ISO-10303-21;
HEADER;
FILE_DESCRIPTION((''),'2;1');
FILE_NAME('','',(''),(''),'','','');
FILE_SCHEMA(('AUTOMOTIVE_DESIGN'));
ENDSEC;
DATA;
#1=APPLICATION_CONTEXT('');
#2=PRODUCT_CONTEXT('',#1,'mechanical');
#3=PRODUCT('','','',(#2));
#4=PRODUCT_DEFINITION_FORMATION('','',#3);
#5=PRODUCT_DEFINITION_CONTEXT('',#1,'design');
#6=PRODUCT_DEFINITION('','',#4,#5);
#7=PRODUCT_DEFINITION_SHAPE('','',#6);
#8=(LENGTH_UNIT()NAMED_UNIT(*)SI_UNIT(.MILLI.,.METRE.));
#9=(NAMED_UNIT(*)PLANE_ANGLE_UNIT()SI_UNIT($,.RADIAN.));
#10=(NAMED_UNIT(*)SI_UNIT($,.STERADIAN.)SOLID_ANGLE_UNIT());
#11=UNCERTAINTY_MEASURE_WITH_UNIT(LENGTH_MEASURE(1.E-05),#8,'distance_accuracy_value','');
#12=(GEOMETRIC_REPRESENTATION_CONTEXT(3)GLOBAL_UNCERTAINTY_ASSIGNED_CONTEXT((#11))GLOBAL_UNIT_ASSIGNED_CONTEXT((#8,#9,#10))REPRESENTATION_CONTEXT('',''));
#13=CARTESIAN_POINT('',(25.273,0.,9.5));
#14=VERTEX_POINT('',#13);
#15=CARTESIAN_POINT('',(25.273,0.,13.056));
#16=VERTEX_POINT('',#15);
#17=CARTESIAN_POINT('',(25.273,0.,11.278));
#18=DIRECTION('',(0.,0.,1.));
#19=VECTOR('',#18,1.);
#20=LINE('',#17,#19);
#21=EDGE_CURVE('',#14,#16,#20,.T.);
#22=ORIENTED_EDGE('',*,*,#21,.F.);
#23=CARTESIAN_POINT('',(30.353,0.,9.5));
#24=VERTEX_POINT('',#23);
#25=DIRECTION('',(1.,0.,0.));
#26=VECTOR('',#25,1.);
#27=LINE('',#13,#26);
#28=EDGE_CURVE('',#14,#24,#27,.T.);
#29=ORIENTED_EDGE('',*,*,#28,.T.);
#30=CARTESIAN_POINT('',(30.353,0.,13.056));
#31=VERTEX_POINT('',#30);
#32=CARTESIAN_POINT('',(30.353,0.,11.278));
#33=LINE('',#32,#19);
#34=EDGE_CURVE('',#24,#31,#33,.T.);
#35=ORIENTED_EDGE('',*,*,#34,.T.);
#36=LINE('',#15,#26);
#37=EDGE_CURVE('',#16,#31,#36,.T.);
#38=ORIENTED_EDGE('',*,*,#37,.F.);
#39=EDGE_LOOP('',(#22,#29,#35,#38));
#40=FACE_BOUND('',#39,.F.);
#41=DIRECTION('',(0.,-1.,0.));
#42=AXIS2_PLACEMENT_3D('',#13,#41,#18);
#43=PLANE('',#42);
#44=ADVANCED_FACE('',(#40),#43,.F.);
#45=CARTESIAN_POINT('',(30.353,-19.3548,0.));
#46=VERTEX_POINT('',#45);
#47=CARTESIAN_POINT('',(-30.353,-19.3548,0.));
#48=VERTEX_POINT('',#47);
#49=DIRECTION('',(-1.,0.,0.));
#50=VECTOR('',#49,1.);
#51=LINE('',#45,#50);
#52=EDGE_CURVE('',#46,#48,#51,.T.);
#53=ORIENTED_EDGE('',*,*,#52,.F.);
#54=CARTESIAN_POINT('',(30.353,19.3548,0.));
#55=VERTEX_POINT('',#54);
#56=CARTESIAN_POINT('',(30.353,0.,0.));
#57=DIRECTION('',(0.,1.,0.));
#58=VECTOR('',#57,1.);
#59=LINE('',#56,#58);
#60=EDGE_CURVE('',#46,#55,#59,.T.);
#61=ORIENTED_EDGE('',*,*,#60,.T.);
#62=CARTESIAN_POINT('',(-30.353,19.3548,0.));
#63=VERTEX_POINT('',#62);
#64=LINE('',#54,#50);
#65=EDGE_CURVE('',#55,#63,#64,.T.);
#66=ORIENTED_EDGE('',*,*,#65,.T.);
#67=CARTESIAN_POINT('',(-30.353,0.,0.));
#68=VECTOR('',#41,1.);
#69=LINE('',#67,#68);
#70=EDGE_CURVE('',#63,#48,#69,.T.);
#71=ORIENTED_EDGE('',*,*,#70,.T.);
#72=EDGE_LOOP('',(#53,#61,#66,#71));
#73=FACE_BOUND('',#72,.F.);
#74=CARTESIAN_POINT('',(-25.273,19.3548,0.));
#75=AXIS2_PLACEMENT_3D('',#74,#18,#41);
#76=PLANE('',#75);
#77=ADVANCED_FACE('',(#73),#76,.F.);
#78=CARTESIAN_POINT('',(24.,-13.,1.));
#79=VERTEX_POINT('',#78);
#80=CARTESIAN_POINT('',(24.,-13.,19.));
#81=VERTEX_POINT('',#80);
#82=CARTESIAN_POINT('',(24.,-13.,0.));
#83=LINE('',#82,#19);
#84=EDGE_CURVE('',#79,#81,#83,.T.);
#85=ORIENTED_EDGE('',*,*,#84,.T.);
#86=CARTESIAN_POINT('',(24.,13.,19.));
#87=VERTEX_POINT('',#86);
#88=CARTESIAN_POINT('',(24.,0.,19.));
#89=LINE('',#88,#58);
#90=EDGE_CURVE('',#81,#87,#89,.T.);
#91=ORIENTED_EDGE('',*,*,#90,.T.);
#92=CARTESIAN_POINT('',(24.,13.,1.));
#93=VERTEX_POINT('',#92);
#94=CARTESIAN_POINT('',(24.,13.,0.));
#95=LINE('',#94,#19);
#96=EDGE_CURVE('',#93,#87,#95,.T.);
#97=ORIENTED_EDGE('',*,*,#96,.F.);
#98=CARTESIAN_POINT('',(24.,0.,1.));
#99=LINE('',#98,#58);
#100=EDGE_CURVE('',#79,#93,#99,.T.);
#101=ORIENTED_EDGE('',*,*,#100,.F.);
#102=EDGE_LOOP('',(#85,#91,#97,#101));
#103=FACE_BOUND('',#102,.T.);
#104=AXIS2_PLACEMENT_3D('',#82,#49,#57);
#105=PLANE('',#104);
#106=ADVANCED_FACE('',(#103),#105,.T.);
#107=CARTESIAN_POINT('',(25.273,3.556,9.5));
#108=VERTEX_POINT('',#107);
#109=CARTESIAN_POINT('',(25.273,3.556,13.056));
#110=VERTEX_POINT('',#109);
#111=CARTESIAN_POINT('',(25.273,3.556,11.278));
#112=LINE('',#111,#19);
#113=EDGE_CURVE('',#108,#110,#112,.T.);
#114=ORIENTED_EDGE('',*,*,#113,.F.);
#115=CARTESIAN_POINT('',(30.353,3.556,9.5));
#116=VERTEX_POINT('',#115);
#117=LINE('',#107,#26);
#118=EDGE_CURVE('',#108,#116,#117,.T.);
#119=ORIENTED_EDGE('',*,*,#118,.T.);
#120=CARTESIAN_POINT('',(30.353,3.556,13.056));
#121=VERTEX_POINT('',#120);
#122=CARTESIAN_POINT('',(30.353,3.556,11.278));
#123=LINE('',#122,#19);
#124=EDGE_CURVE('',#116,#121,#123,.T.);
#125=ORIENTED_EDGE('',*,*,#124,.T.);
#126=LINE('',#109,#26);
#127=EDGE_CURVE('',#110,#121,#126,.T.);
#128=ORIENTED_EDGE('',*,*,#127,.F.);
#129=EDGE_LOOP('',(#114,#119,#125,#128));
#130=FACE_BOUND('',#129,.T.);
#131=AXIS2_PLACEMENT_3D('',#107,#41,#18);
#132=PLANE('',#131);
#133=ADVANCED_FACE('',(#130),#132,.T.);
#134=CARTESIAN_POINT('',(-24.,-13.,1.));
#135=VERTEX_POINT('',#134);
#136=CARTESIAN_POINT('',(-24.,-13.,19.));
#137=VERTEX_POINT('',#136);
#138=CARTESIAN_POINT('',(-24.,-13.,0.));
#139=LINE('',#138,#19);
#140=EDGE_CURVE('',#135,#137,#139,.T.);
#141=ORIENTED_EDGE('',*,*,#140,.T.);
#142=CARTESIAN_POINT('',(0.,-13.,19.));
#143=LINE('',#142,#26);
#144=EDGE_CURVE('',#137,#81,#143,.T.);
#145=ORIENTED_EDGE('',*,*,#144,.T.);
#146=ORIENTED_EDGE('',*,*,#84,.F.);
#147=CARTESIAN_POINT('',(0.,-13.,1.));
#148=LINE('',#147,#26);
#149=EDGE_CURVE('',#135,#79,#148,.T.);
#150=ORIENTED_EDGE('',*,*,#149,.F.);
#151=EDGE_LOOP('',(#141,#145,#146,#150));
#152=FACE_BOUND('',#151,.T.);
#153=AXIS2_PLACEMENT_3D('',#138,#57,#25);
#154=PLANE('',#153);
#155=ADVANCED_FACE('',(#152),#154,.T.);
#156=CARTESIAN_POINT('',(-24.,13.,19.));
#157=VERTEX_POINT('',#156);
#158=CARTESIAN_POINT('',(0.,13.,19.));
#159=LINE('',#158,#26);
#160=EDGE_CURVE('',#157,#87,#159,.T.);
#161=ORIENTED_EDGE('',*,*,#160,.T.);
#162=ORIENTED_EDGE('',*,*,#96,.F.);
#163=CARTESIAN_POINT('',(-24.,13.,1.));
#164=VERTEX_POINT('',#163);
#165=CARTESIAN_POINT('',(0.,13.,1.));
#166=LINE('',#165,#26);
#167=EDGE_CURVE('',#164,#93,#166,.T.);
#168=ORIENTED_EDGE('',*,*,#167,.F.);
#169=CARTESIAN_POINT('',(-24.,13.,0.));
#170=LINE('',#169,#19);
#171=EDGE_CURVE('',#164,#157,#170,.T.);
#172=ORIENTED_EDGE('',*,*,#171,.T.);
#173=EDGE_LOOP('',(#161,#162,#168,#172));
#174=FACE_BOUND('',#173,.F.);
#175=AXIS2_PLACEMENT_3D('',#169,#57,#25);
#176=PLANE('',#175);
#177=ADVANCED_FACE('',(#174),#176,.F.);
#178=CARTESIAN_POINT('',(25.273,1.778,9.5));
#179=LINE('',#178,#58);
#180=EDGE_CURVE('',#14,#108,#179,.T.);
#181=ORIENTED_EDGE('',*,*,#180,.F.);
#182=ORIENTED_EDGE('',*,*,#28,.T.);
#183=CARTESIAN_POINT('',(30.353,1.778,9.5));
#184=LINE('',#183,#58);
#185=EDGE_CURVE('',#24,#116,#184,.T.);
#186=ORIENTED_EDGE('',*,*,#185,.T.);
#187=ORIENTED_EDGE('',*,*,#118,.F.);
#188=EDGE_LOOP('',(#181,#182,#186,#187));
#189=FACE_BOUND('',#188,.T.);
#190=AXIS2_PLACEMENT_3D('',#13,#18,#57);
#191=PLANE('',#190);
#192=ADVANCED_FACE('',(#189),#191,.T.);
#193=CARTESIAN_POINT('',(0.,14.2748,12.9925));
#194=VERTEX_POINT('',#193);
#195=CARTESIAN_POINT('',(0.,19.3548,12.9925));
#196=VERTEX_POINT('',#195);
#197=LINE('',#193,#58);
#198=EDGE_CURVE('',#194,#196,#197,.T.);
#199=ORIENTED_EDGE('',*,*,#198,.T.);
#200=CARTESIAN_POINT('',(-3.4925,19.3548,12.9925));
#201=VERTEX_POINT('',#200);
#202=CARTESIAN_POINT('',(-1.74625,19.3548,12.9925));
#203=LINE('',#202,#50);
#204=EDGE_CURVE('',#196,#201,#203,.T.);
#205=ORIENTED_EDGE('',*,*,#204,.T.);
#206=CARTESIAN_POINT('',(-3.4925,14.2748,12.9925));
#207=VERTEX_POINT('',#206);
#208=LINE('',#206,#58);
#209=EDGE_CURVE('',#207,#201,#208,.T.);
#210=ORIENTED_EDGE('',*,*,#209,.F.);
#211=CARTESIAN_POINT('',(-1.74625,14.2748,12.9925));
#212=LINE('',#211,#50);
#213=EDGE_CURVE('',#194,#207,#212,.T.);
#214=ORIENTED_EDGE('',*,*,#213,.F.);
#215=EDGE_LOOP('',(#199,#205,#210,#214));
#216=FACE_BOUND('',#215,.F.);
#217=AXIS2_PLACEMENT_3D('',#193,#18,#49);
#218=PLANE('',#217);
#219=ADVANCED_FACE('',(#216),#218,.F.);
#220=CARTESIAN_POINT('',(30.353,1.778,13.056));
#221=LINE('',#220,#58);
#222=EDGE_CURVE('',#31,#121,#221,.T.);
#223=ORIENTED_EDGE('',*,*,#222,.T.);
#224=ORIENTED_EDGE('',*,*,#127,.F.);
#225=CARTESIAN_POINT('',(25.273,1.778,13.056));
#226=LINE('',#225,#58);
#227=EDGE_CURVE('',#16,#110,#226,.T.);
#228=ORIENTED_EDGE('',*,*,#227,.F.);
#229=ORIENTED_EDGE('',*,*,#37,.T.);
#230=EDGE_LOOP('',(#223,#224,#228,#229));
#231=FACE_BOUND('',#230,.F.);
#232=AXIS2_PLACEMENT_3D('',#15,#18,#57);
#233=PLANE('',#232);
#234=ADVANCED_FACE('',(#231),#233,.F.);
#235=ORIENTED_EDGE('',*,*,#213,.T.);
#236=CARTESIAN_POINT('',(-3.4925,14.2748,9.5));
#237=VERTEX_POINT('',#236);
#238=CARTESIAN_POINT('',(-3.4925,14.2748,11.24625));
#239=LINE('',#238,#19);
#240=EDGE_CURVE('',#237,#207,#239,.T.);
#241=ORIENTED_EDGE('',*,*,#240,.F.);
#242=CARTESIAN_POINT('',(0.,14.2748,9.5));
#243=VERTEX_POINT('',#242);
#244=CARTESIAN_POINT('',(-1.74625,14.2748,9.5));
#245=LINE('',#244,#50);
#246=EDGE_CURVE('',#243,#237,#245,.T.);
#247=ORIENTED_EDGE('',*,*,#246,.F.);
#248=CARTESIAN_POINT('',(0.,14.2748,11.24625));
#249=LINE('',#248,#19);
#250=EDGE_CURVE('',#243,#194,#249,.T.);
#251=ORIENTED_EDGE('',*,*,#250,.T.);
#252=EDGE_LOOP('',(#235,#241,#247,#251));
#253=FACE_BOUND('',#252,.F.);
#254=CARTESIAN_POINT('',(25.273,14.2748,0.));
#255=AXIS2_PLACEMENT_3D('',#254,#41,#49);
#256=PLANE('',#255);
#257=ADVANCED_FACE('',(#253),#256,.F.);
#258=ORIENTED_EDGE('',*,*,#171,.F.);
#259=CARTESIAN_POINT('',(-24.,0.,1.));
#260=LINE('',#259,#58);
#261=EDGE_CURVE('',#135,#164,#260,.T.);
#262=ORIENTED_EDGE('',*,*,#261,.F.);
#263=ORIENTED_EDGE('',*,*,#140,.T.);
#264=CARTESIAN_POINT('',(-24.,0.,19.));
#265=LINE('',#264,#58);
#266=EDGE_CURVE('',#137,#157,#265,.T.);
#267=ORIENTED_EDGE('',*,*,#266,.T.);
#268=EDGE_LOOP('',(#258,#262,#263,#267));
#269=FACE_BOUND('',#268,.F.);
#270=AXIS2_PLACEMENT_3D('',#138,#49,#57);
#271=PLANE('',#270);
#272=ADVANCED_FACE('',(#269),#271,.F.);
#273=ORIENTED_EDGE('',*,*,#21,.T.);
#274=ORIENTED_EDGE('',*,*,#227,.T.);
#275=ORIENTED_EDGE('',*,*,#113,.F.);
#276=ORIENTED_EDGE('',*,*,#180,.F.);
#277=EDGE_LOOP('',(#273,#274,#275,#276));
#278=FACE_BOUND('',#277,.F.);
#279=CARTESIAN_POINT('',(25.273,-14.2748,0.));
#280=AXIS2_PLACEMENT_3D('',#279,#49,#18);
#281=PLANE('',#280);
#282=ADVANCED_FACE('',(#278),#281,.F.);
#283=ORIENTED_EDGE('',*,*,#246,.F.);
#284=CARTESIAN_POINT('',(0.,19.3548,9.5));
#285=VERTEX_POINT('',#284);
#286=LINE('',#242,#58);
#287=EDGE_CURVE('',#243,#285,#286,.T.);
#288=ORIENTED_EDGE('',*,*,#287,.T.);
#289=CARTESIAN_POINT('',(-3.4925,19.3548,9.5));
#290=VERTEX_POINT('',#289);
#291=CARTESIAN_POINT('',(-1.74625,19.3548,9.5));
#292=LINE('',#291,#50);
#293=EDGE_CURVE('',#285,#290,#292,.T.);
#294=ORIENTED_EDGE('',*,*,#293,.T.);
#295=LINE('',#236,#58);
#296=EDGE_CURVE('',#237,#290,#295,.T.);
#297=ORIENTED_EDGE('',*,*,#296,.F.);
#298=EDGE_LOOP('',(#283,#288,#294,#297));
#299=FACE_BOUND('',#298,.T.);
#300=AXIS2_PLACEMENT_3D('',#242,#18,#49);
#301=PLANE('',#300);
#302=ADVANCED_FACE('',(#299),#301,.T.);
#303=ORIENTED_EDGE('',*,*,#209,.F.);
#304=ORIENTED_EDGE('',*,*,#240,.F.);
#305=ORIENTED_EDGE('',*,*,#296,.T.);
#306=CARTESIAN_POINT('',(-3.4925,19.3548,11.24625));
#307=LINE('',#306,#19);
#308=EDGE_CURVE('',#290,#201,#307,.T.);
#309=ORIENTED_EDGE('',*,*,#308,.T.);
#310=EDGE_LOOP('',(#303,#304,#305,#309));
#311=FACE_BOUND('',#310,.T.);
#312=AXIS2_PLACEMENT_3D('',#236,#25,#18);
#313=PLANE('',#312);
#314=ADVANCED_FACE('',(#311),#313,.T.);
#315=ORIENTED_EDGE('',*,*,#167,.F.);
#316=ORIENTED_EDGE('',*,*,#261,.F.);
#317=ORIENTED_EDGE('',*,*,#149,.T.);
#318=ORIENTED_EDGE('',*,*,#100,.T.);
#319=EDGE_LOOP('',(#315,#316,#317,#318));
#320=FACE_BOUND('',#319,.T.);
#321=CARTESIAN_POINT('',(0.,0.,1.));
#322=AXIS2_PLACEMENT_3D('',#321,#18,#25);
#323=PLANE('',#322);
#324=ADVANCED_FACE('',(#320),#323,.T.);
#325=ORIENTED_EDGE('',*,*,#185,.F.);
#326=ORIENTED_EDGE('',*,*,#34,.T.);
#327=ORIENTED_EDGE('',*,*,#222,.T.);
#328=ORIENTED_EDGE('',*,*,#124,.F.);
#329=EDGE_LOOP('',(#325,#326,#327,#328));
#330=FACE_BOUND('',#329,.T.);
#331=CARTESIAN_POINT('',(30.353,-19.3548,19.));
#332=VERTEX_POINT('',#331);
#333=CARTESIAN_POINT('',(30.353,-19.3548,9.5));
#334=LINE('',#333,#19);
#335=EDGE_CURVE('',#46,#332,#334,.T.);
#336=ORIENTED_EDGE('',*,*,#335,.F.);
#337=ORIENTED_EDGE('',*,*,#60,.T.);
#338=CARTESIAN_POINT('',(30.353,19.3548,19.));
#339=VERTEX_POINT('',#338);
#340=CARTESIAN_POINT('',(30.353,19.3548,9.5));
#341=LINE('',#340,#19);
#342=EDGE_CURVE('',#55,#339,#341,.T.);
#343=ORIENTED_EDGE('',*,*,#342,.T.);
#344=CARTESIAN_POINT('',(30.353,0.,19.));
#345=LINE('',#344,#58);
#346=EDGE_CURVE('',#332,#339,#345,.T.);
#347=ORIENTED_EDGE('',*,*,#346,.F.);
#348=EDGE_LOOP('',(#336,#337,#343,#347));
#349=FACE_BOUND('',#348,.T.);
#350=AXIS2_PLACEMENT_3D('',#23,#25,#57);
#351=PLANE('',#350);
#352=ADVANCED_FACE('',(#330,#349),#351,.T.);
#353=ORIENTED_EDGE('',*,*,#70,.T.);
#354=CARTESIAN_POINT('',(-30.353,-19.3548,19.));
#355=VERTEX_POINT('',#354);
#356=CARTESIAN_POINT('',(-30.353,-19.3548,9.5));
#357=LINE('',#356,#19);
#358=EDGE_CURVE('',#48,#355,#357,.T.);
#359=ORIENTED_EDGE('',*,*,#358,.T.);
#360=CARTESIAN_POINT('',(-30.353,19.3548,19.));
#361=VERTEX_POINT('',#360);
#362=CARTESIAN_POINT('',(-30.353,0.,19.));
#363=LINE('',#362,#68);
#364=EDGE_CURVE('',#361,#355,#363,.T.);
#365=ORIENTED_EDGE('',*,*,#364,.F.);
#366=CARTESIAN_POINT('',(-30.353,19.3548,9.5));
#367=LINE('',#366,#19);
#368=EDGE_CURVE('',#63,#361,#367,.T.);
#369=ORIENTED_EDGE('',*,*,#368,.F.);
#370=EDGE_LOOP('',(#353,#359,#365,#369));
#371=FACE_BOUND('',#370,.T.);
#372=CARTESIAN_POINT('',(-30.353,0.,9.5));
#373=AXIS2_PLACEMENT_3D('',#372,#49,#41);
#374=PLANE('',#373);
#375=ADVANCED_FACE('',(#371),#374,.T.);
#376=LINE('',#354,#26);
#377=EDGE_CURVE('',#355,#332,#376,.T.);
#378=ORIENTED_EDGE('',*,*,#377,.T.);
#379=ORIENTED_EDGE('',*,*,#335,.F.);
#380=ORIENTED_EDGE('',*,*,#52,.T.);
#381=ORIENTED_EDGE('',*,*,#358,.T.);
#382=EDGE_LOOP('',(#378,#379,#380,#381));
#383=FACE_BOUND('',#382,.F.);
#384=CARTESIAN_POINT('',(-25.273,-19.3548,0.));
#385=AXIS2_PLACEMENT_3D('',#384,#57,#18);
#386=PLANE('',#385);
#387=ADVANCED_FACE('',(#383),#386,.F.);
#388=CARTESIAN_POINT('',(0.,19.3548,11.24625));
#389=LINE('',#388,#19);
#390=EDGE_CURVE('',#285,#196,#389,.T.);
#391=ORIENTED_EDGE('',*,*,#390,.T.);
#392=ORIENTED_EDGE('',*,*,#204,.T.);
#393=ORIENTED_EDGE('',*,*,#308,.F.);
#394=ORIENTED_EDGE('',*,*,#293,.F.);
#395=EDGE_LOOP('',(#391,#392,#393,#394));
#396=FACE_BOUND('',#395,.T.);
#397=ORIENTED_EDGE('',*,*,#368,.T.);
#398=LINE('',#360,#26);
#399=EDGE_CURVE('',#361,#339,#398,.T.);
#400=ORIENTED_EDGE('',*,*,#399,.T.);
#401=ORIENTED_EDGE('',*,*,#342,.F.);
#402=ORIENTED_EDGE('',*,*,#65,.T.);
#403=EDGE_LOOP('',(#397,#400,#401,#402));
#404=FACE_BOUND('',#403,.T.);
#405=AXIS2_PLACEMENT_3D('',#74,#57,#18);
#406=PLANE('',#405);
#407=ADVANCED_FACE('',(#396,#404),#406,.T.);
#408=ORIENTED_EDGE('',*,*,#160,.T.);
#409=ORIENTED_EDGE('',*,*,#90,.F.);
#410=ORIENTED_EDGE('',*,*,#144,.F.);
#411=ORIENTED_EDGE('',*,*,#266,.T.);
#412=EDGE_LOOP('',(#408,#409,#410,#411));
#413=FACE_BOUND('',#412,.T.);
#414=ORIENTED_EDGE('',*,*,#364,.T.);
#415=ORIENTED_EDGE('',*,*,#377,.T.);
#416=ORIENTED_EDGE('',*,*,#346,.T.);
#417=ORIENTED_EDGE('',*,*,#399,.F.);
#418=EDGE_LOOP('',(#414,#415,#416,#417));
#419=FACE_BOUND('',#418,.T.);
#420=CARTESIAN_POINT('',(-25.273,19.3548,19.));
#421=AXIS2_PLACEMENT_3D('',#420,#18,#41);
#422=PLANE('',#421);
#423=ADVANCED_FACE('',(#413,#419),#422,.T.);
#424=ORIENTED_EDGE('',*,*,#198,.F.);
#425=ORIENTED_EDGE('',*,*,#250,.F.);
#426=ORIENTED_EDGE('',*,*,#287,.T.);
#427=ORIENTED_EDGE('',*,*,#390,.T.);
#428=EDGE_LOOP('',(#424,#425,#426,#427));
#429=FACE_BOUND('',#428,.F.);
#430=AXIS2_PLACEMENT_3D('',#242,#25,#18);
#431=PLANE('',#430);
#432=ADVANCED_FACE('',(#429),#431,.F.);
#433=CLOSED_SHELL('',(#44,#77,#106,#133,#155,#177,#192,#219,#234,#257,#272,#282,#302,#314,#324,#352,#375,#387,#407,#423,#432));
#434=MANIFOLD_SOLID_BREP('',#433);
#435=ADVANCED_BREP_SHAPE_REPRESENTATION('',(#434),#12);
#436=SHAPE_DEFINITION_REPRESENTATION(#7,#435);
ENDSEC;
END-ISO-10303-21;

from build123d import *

# Parameters (mm, degrees)
F0_W      = 48
F0_H      = 26
F1_DEPTH  = 1
F0_H_2    = 1.2748
F0_W_2    = 1.273
F2_DEPTH  = 19
F4_W      = 50.546
F4_H      = 19
F4_W_2    = 3.4925
F4_H_2    = 3.4925
F5_DEPTH  = 5.08
F3_W      = 50.546
F3_H      = 19
F6_DEPTH  = 5.08
F7_W      = 38.7096
F7_H      = 19
F7_W_2    = 3.556
F7_H_2    = 3.556
F9_DEPTH  = 5.08
F8_W      = 38.7096
F8_H      = 19
F10_DEPTH = 5.08


with BuildPart() as f1:
    # F0 (on Top) → F1 (new body)
    with BuildSketch(Plane.XY):
        Rectangle(F0_W, F0_H)
    extrude(amount=F1_DEPTH)

    # F0 (on Top) → F2 (join)
    with BuildSketch(Plane.XY):
        with Locations((0, -13.6374)):
            Rectangle(F0_W, F0_H_2)
        with Locations((0, 13.6374)):
            Rectangle(F0_W, F0_H_2)
        with Locations((24.6365, 0)):
            Rectangle(F0_W_2, F0_H)
        with Locations((-24.6365, 0)):
            Rectangle(F0_W_2, F0_H)
        with Locations((-24.6365, -13.6374)):
            Rectangle(F0_W_2, F0_H_2)
        with Locations((24.6365, -13.6374)):
            Rectangle(F0_W_2, F0_H_2)
        with Locations((24.6365, 13.6374)):
            Rectangle(F0_W_2, F0_H_2)
        with Locations((-24.6365, 13.6374)):
            Rectangle(F0_W_2, F0_H_2)
    extrude(amount=F2_DEPTH)

    # F4 (on face) → F5 (join)
    with BuildSketch(Plane(origin=(0, 14.2748, 0), x_dir=(-1, 0, 0), z_dir=(0, 1, 0))):
        with Locations((0, 9.5)):
            Rectangle(F4_W, F4_H)
        with Locations((1.74625, 11.24625)):
            Rectangle(F4_W_2, F4_H_2, mode=Mode.SUBTRACT)
    extrude(amount=F5_DEPTH)

    # F3 (on face) → F6 (join)
    with BuildSketch(Plane.XZ.offset(14.2748)):
        with Locations((0, 9.5)):
            Rectangle(F3_W, F3_H)
    extrude(amount=F6_DEPTH)

    # F7 (on face) → F9 (join)
    with BuildSketch(Plane.YZ.offset(25.273)):
        with Locations((0, 9.5)):
            Rectangle(F7_W, F7_H)
        with Locations((1.778, 11.278)):
            Rectangle(F7_W_2, F7_H_2, mode=Mode.SUBTRACT)
    extrude(amount=F9_DEPTH)

    # F8 (on face) → F10 (join)
    with BuildSketch(Plane(origin=(-25.273, 0, 0), x_dir=(0, -1, 0), z_dir=(-1, 0, 0))):
        with Locations((0, 9.5)):
            Rectangle(F8_W, F8_H)
    extrude(amount=F10_DEPTH)


solid = f1.part
